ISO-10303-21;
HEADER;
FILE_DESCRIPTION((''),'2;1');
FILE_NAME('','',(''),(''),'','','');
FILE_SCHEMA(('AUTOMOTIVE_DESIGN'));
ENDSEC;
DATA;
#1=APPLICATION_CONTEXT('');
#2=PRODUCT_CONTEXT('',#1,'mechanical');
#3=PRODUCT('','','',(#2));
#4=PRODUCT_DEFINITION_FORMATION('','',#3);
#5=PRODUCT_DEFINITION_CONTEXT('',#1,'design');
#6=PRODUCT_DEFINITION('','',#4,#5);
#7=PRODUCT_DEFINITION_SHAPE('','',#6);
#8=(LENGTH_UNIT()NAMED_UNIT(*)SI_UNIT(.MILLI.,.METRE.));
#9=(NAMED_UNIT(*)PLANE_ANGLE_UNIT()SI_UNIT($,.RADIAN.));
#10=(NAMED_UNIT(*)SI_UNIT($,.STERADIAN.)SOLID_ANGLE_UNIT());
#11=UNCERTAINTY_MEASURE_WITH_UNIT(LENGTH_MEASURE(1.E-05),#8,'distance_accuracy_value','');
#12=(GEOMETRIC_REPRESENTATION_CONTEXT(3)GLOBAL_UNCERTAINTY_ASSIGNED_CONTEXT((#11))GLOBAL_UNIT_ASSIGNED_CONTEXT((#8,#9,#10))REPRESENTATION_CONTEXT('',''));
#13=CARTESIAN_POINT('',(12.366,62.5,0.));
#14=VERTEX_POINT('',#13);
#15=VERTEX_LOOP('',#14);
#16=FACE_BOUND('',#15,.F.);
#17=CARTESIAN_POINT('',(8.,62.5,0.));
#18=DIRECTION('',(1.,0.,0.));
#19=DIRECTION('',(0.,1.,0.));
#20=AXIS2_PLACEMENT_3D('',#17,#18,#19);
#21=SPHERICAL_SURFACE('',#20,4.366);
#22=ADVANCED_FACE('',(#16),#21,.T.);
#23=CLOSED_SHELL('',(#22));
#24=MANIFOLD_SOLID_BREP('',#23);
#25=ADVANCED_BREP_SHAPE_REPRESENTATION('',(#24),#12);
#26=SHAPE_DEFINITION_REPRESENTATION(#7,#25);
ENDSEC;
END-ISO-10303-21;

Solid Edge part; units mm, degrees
sketch "Sketch1" plane through (0, 0, 0) normal (0, 0, 1) x (1, 0, 0)
  arc A0 (3.634, 62.5) -> (12.366, 62.5) centre (8, 62.5) cw
  line L0 (12.366, 62.5) -> (3.634, 62.5)
revolve "RevolvedProtrusion1" add sketch "Sketch1" angle 360 about axis through (12.366, 62.5, 0) along (-1, 0, 0)
